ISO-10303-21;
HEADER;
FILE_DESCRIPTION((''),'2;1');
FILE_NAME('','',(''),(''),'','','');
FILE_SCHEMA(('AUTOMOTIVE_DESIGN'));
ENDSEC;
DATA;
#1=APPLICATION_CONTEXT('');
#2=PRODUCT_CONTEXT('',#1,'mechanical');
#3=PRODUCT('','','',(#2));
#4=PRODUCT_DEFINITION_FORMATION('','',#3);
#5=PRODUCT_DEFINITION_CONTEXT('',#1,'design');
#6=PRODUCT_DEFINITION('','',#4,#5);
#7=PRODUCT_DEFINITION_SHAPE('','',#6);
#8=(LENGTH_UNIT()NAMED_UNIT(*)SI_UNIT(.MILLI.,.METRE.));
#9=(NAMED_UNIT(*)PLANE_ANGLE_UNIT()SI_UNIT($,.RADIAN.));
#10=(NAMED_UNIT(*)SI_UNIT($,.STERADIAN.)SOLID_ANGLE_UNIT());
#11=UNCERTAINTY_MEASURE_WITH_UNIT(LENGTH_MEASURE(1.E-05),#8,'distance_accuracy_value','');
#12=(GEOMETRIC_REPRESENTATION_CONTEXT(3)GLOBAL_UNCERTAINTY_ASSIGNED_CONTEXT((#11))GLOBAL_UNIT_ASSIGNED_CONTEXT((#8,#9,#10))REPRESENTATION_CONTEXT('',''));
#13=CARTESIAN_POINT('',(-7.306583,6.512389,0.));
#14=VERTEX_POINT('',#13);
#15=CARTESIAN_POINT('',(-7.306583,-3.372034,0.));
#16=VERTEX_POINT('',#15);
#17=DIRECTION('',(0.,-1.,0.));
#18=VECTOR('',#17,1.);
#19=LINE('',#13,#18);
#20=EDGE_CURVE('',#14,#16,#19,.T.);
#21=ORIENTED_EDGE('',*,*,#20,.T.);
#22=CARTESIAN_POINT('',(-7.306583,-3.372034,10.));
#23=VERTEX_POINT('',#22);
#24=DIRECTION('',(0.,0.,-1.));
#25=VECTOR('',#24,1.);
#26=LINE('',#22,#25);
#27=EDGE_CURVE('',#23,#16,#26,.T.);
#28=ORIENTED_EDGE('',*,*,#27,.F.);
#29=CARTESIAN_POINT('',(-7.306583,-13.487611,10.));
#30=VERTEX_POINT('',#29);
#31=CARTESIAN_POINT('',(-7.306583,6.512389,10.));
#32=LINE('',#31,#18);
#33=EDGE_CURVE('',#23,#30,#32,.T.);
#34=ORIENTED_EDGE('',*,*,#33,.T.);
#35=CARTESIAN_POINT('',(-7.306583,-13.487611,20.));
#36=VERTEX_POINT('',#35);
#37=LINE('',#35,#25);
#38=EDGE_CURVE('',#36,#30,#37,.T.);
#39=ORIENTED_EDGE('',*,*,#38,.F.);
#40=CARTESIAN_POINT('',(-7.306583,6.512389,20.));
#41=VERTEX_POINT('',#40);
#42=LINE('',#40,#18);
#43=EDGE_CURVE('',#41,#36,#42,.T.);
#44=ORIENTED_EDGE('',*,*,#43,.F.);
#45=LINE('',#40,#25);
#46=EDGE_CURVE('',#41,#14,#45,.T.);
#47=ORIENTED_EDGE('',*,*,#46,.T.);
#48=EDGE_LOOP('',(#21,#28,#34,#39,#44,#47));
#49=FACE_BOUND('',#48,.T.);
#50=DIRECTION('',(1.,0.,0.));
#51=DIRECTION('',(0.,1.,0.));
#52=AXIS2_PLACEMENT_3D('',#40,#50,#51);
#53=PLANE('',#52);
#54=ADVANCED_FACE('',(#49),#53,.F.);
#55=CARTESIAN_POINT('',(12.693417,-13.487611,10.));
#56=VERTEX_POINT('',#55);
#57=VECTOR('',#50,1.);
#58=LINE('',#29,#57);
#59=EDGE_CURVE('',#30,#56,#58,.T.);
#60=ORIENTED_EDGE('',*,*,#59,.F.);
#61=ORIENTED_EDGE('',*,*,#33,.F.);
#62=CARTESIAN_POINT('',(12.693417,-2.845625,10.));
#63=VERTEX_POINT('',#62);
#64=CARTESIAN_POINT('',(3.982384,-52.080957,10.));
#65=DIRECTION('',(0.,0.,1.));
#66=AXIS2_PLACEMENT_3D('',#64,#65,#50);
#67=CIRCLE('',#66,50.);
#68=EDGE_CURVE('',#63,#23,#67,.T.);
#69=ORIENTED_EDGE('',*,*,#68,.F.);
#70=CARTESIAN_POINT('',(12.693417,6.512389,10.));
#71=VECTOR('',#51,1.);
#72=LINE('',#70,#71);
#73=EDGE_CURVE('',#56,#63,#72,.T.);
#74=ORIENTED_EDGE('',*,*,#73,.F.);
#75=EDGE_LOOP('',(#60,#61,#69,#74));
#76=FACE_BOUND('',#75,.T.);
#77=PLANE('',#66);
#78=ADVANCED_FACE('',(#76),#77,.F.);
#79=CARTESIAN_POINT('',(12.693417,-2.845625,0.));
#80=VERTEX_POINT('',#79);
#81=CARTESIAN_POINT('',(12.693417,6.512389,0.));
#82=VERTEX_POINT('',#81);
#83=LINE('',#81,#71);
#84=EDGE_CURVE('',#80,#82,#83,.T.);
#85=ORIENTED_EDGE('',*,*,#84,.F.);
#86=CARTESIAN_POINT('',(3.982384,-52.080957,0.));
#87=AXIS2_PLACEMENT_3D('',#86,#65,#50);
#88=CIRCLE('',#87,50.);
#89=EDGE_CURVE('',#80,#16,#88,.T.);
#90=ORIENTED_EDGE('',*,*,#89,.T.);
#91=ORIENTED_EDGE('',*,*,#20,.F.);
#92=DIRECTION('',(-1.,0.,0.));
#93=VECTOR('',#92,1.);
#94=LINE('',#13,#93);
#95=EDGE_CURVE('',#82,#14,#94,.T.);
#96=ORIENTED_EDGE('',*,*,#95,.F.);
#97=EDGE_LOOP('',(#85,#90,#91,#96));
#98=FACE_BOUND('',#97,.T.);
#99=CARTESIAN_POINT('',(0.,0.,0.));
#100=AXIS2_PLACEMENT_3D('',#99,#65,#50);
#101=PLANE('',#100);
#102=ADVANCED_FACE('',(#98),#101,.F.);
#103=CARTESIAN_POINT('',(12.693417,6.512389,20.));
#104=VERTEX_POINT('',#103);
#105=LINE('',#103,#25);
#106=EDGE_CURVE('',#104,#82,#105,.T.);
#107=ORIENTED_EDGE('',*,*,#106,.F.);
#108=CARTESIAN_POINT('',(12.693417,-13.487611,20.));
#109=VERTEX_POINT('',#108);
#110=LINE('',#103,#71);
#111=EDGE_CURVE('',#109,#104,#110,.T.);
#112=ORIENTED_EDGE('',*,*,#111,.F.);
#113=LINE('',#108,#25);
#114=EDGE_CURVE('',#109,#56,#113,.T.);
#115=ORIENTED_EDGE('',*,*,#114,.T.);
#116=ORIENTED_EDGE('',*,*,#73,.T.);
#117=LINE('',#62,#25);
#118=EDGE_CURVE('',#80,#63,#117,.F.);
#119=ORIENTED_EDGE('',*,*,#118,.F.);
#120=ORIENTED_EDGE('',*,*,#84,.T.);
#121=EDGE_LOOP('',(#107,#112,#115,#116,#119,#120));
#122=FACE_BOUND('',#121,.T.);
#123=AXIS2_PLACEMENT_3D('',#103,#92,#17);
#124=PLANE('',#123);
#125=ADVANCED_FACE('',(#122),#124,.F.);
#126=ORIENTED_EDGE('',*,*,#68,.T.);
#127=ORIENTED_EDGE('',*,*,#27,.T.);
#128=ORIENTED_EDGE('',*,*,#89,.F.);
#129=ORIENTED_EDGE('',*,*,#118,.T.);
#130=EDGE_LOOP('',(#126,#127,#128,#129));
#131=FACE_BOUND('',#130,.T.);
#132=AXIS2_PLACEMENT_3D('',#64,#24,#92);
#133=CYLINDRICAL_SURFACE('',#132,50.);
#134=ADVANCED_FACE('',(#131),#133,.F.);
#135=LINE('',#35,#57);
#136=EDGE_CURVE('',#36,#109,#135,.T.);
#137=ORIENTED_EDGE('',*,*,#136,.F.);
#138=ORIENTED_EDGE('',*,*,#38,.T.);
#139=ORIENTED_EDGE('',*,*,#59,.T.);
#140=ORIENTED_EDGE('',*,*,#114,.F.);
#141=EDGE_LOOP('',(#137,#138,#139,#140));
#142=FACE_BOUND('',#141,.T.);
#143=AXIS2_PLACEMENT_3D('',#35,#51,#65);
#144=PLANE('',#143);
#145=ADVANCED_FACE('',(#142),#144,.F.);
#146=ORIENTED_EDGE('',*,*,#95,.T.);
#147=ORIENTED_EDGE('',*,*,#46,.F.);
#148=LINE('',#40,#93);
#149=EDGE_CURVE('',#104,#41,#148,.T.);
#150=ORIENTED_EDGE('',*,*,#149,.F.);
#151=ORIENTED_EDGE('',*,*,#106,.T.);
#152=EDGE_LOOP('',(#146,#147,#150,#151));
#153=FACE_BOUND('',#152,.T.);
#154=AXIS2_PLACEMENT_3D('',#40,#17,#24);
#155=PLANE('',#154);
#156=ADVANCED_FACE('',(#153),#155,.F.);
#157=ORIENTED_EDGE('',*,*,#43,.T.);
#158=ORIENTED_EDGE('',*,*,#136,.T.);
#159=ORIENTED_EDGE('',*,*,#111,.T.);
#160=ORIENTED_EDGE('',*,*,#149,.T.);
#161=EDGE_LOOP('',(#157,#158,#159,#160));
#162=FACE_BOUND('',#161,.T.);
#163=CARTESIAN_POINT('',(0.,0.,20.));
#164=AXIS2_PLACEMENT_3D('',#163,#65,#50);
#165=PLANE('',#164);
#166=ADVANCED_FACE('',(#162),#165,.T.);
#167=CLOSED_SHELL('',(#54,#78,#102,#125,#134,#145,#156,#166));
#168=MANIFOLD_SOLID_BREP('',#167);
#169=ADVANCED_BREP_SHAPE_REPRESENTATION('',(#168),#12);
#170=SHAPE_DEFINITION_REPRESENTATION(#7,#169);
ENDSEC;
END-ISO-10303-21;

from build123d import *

# Parameters (mm, degrees)
SKETCH_1_W          = 20
SKETCH_1_H          = 20
EXTRUDE_1_DEPTH     = 20
SKETCH_2_R          = 50
CUT_EXTRUDE_1_DEPTH = 10


with BuildPart() as part:
    # 草图1 → 凸台-拉伸1 (new body)
    with BuildSketch(Plane.XY):
        with Locations((2.693416909, -3.487610724)):
            Rectangle(SKETCH_1_W, SKETCH_1_H)
    extrude(amount=EXTRUDE_1_DEPTH)

    # 草图2 → 切除-拉伸1 (cut)
    with BuildSketch(Plane.XY):
        with Locations((3.982384369, -52.080956973)):
            Circle(SKETCH_2_R)
    extrude(amount=CUT_EXTRUDE_1_DEPTH, mode=Mode.SUBTRACT)


solid = part.part
